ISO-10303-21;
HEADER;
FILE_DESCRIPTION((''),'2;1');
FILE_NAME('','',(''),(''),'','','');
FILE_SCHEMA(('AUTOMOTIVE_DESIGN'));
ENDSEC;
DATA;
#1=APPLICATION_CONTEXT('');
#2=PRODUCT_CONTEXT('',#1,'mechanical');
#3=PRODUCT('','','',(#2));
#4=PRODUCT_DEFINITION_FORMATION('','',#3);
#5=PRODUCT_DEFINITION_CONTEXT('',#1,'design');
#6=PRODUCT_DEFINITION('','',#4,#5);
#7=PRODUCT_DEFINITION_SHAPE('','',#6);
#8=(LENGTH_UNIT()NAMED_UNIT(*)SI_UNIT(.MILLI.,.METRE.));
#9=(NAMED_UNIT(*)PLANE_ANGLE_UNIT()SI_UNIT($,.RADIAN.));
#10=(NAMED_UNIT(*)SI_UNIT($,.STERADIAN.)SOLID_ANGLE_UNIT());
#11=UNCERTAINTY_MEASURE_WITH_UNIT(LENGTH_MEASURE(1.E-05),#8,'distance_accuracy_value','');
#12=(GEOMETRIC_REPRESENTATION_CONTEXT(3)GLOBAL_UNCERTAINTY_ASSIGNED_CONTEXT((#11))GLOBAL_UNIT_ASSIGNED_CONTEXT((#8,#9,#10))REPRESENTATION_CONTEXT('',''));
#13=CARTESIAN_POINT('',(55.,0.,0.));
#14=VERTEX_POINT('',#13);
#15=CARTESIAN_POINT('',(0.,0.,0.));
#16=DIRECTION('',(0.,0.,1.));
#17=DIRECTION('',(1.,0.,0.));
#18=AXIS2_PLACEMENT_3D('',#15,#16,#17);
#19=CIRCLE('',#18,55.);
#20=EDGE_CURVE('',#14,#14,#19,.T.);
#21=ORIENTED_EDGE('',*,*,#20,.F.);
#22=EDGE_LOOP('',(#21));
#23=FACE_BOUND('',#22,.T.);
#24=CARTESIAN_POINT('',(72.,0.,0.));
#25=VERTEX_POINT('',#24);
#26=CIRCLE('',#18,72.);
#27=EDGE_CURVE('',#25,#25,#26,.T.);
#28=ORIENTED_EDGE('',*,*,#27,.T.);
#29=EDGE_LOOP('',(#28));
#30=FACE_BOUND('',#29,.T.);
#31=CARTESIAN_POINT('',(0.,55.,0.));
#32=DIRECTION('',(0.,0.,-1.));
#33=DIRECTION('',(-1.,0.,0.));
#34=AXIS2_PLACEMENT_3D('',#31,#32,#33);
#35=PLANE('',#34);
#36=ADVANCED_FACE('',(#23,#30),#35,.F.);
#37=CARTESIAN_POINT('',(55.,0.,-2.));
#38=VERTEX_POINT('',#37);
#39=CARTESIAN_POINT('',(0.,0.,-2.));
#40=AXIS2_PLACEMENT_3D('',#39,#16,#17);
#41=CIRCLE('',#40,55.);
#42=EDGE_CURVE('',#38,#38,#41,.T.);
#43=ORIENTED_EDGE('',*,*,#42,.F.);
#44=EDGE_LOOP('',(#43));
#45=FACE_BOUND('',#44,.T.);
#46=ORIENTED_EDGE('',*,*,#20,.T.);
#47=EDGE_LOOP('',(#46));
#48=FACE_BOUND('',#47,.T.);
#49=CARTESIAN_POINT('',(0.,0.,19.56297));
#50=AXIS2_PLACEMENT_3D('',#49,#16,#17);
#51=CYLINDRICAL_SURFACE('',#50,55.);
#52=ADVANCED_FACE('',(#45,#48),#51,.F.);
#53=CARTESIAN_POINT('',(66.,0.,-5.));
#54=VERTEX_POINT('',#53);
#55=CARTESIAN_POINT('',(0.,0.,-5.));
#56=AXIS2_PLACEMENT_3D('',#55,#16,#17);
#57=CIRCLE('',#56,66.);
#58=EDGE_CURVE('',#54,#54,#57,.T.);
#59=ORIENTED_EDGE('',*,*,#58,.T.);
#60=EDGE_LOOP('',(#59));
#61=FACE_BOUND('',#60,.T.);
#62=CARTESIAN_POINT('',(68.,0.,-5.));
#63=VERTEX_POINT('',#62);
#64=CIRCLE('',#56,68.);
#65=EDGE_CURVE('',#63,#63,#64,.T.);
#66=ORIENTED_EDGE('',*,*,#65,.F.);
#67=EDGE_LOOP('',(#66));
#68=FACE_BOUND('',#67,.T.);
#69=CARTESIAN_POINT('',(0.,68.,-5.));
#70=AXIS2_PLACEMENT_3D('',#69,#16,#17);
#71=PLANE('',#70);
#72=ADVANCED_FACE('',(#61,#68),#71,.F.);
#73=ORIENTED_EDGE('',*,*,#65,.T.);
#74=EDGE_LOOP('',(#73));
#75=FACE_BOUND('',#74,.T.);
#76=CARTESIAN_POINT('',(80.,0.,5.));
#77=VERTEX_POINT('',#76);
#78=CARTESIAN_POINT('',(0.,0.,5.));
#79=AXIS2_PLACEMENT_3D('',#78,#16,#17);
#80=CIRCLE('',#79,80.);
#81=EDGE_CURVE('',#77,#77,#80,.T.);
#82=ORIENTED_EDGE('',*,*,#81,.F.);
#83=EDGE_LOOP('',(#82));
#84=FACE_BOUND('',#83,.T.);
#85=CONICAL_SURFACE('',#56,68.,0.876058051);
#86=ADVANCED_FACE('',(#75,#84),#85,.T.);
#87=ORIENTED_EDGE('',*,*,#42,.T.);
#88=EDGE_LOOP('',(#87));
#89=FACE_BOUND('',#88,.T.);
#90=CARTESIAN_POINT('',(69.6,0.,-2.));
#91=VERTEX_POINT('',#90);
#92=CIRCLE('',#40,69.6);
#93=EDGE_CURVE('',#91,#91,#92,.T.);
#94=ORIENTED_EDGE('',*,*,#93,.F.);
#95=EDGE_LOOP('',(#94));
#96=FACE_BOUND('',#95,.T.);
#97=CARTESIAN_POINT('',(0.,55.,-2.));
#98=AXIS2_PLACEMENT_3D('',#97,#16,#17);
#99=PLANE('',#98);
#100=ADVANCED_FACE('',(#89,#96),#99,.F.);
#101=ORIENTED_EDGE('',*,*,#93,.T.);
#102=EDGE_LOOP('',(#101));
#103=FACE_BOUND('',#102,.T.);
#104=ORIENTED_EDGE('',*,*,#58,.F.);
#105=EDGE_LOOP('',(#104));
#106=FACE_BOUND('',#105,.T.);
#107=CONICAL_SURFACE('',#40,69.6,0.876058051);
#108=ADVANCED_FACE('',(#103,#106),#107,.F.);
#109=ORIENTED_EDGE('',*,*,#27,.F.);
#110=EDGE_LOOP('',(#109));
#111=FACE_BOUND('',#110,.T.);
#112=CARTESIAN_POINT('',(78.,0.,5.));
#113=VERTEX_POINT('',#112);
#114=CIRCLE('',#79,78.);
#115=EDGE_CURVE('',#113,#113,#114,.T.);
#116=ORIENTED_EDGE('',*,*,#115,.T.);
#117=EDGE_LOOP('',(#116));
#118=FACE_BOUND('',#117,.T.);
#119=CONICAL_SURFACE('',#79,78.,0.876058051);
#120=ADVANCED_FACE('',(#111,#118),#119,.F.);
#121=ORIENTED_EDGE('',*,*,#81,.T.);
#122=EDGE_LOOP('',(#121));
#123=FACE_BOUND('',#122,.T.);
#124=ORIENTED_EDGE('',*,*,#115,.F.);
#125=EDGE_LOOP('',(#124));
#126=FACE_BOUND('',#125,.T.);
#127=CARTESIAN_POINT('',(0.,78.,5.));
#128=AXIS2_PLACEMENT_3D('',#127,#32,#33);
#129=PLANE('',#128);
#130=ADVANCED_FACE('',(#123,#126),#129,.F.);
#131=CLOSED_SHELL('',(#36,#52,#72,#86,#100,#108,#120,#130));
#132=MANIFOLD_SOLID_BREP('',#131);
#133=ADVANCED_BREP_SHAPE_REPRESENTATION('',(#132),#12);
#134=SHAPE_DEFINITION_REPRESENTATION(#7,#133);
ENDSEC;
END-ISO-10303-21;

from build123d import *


with BuildPart() as part:
    # Sketch1 → Revolve1 (revolve)
    with BuildSketch(Plane(origin=(0, 0, 0), x_dir=(0, 0, -1), z_dir=(1, 0, 0)), mode=Mode.PRIVATE) as revolve1_sk:
        Polygon((-5, 78), (0, 72), (0, 55), (2, 55), (2, 69.6), (5, 66), (5, 68), (-5, 80), align=None)
    revolve(revolve1_sk.sketch.rotate(Axis((0, 0, 19.562969898), (0, 0, -1)), 90), axis=Axis((0, 0, 19.562969898), (0, 0, -1)))


solid = part.part
